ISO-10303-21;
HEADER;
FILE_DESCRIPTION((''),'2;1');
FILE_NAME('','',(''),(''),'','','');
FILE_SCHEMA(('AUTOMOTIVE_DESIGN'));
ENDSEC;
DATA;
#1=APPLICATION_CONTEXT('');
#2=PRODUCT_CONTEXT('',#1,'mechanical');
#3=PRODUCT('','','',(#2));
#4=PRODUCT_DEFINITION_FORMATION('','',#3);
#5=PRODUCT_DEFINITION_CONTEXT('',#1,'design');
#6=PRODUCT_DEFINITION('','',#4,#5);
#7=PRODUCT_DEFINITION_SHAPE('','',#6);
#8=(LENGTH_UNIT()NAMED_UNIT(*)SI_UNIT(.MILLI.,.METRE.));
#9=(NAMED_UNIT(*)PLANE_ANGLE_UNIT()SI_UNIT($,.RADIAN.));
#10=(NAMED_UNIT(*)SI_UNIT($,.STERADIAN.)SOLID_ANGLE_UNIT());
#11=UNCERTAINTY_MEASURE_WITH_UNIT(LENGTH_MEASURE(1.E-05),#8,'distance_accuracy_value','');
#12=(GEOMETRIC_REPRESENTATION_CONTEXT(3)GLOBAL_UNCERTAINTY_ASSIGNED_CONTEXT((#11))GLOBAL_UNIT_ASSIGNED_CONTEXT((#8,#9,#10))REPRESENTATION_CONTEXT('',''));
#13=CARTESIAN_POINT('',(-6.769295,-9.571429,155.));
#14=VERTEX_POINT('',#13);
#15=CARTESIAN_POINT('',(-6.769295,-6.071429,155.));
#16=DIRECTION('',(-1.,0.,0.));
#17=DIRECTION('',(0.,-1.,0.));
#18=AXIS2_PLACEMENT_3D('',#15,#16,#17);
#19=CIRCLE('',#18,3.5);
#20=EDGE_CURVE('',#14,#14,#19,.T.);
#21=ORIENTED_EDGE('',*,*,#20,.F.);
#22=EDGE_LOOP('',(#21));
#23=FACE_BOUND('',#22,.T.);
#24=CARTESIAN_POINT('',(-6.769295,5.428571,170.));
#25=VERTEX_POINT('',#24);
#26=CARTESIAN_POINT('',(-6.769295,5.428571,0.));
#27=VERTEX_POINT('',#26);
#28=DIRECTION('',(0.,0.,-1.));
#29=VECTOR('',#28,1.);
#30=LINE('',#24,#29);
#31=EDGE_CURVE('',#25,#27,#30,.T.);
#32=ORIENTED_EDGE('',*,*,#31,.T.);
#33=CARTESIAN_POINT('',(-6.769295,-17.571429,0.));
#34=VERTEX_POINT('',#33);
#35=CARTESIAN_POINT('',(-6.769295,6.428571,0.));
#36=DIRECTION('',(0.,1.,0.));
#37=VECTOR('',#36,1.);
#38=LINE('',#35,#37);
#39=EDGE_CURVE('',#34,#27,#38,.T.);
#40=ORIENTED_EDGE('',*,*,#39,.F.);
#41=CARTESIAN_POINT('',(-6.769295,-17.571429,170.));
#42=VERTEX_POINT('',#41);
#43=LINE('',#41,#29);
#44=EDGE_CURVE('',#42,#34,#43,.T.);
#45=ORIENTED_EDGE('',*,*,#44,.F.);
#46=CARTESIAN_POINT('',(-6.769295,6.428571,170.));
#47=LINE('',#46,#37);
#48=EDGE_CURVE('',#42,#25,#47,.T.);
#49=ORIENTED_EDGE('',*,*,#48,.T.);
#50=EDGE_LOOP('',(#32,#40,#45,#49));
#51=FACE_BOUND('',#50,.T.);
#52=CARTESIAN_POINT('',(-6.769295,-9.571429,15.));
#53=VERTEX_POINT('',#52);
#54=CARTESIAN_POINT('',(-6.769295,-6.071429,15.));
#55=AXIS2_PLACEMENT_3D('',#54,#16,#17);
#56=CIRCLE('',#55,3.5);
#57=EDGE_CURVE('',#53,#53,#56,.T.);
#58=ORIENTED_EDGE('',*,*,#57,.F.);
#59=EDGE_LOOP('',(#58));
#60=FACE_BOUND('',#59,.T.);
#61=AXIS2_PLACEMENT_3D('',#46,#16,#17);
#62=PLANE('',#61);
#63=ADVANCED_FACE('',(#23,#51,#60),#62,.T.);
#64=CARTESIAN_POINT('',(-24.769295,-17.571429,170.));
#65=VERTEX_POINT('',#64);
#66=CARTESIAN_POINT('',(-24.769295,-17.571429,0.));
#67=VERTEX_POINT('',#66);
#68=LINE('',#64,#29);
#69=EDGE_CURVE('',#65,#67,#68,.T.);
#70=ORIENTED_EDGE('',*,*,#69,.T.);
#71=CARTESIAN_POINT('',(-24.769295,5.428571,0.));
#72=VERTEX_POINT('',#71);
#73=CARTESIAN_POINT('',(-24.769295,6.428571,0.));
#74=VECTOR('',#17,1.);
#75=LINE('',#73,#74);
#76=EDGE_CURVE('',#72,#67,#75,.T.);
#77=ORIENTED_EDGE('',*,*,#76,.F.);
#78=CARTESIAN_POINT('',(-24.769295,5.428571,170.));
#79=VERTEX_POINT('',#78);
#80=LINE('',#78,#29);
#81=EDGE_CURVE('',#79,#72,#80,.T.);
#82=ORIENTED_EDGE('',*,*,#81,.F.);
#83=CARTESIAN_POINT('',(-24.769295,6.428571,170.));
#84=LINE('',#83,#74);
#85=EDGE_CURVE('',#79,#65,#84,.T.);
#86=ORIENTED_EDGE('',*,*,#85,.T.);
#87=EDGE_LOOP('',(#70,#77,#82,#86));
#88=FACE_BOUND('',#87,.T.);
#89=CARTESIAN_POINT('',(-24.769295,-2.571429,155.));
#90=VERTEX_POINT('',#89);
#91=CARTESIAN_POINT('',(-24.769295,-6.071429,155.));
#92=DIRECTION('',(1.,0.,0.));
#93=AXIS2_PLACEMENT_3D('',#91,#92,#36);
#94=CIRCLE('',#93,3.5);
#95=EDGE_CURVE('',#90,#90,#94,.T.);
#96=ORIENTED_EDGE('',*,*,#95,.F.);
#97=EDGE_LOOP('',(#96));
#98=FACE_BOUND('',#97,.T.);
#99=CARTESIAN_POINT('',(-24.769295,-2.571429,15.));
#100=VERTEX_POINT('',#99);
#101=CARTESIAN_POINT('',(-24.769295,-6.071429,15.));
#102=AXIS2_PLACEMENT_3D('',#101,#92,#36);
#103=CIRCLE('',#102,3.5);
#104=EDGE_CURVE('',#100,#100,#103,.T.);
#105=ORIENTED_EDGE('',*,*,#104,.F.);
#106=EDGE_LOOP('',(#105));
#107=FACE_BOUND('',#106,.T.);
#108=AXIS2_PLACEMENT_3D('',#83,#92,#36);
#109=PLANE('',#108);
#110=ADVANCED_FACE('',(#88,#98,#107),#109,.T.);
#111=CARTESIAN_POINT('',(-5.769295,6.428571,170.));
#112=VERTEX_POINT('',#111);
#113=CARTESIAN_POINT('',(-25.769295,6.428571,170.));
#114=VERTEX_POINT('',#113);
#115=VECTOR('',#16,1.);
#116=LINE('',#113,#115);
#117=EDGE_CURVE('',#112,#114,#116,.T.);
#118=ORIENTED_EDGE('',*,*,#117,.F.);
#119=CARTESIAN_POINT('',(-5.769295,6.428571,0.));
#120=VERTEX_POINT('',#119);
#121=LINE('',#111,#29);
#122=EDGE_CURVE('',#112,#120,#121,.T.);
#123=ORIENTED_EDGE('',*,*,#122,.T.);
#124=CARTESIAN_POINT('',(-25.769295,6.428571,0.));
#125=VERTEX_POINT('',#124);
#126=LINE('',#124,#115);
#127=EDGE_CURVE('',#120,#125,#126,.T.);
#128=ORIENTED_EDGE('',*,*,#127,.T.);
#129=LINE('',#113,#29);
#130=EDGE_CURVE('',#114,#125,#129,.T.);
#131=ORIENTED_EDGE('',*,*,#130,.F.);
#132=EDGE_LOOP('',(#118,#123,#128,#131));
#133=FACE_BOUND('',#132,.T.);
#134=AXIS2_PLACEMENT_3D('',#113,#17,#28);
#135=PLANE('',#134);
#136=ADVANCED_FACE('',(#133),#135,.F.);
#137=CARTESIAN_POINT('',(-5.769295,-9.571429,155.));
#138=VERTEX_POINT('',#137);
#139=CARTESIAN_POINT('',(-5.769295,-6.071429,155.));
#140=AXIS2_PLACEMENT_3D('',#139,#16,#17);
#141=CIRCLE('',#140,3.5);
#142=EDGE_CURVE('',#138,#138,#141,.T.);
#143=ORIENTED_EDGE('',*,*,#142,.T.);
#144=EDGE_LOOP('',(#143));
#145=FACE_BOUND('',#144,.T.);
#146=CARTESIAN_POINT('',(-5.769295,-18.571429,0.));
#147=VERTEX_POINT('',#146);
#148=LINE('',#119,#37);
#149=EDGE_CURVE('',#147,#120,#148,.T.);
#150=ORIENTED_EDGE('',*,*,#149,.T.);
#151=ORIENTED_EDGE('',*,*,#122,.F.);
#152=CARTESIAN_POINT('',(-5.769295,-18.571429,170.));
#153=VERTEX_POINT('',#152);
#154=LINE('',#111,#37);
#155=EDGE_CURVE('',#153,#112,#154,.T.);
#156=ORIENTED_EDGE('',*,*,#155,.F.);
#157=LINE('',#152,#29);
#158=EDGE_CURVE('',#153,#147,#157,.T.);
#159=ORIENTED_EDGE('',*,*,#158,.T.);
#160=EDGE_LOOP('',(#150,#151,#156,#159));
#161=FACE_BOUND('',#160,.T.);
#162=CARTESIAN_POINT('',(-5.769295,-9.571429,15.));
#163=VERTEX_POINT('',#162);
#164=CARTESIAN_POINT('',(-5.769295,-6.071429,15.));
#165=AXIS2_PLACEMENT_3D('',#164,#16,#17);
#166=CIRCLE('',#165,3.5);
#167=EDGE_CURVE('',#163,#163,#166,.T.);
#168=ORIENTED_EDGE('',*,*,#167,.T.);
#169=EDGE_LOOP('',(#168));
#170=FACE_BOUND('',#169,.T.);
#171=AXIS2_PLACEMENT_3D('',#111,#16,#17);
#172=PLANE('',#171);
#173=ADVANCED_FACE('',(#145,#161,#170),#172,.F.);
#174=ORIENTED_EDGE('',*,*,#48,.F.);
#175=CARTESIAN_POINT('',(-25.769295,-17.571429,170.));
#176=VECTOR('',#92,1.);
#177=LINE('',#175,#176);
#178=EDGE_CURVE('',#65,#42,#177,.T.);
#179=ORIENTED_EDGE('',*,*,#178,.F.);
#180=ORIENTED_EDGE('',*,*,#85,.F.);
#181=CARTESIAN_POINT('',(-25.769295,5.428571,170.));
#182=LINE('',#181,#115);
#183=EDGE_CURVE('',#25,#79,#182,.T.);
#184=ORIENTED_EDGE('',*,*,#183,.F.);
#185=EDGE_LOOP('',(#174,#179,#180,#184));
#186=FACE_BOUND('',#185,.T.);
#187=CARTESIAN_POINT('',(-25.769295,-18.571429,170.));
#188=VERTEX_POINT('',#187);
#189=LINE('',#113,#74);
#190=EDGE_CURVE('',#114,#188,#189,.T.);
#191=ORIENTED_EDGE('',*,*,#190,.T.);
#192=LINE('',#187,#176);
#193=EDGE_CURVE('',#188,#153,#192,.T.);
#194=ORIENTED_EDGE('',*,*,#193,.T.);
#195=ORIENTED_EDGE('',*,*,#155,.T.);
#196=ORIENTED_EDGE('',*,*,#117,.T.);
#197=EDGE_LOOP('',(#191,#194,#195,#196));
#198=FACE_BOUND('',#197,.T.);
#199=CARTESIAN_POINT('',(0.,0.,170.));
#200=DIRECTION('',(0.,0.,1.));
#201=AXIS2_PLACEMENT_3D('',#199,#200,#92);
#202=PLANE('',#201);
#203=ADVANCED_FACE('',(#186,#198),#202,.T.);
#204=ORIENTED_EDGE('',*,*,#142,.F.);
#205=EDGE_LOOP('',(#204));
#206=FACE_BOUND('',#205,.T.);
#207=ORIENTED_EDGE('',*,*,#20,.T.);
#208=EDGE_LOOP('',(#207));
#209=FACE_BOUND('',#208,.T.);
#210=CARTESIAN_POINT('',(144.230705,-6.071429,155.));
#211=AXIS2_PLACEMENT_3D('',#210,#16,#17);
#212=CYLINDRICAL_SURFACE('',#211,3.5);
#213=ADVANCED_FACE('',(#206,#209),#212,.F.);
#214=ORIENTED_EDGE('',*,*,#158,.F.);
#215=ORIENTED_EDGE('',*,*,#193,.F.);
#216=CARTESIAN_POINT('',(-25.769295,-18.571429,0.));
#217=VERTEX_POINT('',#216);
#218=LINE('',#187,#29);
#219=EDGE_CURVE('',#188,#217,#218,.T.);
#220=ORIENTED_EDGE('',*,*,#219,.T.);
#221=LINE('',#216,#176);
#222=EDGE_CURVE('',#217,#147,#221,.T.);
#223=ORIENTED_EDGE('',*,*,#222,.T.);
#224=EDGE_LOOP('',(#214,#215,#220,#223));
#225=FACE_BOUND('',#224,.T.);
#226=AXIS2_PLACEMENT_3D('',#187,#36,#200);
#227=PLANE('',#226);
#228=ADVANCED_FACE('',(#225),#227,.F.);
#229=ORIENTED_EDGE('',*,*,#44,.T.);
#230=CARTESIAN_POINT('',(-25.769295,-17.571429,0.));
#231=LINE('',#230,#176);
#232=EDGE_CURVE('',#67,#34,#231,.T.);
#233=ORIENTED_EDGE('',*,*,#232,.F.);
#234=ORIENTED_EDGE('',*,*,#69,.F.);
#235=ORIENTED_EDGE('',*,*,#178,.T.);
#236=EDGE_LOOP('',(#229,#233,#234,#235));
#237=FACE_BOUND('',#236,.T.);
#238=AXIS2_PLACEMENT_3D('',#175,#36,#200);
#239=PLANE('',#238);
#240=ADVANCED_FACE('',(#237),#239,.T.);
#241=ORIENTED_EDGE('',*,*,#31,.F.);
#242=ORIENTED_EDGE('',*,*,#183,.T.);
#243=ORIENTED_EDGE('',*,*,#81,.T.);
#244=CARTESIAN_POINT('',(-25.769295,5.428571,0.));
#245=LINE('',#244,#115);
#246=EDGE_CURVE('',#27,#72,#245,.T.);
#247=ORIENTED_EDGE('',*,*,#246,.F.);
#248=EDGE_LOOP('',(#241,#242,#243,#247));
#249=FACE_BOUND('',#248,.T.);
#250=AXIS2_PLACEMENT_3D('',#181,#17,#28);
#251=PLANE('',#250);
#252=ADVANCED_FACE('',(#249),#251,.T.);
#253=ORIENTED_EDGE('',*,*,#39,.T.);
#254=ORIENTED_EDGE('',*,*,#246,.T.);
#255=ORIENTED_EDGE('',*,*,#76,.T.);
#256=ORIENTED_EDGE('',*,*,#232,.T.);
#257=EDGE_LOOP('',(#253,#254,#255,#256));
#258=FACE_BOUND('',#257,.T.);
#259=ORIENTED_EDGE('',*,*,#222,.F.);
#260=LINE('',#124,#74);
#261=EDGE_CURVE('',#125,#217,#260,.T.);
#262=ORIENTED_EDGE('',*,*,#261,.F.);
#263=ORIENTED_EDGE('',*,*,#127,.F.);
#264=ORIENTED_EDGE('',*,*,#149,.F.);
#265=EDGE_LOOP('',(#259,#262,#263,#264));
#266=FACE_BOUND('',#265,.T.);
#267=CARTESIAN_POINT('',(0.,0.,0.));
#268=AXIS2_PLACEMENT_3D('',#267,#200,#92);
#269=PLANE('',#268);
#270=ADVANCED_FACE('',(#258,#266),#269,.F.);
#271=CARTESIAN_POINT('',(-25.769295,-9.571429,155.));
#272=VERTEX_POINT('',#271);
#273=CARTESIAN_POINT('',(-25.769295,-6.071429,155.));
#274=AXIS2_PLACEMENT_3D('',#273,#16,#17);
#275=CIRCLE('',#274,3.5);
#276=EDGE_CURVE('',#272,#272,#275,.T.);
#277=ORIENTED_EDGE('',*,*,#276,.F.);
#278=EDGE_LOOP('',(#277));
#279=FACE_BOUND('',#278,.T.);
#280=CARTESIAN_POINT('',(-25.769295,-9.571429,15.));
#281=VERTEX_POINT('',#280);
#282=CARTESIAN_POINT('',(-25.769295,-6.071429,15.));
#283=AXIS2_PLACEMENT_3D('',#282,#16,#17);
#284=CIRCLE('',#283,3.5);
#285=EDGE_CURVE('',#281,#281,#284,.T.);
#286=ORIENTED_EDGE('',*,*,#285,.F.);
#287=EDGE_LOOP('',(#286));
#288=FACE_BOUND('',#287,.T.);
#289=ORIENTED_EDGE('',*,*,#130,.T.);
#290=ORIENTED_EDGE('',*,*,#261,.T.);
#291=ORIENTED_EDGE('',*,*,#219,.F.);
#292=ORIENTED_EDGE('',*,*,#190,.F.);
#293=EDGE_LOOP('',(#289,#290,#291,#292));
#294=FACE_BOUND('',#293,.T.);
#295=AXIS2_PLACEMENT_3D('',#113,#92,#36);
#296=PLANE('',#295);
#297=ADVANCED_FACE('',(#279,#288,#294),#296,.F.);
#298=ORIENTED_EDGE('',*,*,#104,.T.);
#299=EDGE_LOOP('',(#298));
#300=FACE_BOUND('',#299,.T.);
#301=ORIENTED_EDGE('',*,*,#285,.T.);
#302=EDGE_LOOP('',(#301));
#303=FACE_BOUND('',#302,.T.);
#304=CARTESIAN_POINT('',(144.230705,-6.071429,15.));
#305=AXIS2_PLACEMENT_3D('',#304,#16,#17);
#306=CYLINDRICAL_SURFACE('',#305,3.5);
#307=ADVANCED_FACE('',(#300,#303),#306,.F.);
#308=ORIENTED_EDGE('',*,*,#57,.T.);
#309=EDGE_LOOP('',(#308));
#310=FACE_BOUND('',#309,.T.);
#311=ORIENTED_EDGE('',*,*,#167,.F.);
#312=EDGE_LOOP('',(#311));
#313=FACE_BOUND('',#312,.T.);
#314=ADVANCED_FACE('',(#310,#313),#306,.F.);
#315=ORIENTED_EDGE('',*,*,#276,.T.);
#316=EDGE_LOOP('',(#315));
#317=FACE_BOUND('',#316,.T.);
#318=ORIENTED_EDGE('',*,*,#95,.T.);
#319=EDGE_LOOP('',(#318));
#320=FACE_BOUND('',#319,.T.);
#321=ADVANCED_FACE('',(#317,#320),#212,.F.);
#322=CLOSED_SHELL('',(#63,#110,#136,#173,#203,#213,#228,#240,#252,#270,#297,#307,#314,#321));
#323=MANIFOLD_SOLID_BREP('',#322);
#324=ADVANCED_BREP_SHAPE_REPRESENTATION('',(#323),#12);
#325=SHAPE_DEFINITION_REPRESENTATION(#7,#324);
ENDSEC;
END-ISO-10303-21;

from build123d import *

# Parameters (mm, degrees)
SKETCH1_W           = 20
SKETCH1_H           = 25
BOSS_EXTRUDE1_DEPTH = 170
SHELL1_T            = -1
SKETCH2_R           = 3.5
CUT_EXTRUDE1_DEPTH  = 170


with BuildPart() as part:
    # Sketch1 → Boss-Extrude1 (new body)
    with BuildSketch(Plane.XY):
        with Locations((-15.769295372, -6.071428571)):
            Rectangle(SKETCH1_W, SKETCH1_H)
    extrude(amount=BOSS_EXTRUDE1_DEPTH)

    # Shell1
    shell1_openings = [part.faces().sort_by_distance(p)[0] for p in [
        (-15.769295372, -6.071428571, 170),
        (-15.769295372, -6.071428571, 0),
    ]]
    offset(amount=SHELL1_T, openings=shell1_openings, kind=Kind.INTERSECTION)

    # Sketch2 → Cut-Extrude1 (cut)
    with BuildSketch(Plane.ZY.offset(25.769295372)):
        with Locations(Location((15, -6.071428571, 0), (0, 0, 270))):
            Circle(SKETCH2_R)
        with Locations(Location((155, -6.071428571, 0), (0, 0, 270))):
            Circle(SKETCH2_R)
    extrude(amount=-CUT_EXTRUDE1_DEPTH, mode=Mode.SUBTRACT)


solid = part.part
